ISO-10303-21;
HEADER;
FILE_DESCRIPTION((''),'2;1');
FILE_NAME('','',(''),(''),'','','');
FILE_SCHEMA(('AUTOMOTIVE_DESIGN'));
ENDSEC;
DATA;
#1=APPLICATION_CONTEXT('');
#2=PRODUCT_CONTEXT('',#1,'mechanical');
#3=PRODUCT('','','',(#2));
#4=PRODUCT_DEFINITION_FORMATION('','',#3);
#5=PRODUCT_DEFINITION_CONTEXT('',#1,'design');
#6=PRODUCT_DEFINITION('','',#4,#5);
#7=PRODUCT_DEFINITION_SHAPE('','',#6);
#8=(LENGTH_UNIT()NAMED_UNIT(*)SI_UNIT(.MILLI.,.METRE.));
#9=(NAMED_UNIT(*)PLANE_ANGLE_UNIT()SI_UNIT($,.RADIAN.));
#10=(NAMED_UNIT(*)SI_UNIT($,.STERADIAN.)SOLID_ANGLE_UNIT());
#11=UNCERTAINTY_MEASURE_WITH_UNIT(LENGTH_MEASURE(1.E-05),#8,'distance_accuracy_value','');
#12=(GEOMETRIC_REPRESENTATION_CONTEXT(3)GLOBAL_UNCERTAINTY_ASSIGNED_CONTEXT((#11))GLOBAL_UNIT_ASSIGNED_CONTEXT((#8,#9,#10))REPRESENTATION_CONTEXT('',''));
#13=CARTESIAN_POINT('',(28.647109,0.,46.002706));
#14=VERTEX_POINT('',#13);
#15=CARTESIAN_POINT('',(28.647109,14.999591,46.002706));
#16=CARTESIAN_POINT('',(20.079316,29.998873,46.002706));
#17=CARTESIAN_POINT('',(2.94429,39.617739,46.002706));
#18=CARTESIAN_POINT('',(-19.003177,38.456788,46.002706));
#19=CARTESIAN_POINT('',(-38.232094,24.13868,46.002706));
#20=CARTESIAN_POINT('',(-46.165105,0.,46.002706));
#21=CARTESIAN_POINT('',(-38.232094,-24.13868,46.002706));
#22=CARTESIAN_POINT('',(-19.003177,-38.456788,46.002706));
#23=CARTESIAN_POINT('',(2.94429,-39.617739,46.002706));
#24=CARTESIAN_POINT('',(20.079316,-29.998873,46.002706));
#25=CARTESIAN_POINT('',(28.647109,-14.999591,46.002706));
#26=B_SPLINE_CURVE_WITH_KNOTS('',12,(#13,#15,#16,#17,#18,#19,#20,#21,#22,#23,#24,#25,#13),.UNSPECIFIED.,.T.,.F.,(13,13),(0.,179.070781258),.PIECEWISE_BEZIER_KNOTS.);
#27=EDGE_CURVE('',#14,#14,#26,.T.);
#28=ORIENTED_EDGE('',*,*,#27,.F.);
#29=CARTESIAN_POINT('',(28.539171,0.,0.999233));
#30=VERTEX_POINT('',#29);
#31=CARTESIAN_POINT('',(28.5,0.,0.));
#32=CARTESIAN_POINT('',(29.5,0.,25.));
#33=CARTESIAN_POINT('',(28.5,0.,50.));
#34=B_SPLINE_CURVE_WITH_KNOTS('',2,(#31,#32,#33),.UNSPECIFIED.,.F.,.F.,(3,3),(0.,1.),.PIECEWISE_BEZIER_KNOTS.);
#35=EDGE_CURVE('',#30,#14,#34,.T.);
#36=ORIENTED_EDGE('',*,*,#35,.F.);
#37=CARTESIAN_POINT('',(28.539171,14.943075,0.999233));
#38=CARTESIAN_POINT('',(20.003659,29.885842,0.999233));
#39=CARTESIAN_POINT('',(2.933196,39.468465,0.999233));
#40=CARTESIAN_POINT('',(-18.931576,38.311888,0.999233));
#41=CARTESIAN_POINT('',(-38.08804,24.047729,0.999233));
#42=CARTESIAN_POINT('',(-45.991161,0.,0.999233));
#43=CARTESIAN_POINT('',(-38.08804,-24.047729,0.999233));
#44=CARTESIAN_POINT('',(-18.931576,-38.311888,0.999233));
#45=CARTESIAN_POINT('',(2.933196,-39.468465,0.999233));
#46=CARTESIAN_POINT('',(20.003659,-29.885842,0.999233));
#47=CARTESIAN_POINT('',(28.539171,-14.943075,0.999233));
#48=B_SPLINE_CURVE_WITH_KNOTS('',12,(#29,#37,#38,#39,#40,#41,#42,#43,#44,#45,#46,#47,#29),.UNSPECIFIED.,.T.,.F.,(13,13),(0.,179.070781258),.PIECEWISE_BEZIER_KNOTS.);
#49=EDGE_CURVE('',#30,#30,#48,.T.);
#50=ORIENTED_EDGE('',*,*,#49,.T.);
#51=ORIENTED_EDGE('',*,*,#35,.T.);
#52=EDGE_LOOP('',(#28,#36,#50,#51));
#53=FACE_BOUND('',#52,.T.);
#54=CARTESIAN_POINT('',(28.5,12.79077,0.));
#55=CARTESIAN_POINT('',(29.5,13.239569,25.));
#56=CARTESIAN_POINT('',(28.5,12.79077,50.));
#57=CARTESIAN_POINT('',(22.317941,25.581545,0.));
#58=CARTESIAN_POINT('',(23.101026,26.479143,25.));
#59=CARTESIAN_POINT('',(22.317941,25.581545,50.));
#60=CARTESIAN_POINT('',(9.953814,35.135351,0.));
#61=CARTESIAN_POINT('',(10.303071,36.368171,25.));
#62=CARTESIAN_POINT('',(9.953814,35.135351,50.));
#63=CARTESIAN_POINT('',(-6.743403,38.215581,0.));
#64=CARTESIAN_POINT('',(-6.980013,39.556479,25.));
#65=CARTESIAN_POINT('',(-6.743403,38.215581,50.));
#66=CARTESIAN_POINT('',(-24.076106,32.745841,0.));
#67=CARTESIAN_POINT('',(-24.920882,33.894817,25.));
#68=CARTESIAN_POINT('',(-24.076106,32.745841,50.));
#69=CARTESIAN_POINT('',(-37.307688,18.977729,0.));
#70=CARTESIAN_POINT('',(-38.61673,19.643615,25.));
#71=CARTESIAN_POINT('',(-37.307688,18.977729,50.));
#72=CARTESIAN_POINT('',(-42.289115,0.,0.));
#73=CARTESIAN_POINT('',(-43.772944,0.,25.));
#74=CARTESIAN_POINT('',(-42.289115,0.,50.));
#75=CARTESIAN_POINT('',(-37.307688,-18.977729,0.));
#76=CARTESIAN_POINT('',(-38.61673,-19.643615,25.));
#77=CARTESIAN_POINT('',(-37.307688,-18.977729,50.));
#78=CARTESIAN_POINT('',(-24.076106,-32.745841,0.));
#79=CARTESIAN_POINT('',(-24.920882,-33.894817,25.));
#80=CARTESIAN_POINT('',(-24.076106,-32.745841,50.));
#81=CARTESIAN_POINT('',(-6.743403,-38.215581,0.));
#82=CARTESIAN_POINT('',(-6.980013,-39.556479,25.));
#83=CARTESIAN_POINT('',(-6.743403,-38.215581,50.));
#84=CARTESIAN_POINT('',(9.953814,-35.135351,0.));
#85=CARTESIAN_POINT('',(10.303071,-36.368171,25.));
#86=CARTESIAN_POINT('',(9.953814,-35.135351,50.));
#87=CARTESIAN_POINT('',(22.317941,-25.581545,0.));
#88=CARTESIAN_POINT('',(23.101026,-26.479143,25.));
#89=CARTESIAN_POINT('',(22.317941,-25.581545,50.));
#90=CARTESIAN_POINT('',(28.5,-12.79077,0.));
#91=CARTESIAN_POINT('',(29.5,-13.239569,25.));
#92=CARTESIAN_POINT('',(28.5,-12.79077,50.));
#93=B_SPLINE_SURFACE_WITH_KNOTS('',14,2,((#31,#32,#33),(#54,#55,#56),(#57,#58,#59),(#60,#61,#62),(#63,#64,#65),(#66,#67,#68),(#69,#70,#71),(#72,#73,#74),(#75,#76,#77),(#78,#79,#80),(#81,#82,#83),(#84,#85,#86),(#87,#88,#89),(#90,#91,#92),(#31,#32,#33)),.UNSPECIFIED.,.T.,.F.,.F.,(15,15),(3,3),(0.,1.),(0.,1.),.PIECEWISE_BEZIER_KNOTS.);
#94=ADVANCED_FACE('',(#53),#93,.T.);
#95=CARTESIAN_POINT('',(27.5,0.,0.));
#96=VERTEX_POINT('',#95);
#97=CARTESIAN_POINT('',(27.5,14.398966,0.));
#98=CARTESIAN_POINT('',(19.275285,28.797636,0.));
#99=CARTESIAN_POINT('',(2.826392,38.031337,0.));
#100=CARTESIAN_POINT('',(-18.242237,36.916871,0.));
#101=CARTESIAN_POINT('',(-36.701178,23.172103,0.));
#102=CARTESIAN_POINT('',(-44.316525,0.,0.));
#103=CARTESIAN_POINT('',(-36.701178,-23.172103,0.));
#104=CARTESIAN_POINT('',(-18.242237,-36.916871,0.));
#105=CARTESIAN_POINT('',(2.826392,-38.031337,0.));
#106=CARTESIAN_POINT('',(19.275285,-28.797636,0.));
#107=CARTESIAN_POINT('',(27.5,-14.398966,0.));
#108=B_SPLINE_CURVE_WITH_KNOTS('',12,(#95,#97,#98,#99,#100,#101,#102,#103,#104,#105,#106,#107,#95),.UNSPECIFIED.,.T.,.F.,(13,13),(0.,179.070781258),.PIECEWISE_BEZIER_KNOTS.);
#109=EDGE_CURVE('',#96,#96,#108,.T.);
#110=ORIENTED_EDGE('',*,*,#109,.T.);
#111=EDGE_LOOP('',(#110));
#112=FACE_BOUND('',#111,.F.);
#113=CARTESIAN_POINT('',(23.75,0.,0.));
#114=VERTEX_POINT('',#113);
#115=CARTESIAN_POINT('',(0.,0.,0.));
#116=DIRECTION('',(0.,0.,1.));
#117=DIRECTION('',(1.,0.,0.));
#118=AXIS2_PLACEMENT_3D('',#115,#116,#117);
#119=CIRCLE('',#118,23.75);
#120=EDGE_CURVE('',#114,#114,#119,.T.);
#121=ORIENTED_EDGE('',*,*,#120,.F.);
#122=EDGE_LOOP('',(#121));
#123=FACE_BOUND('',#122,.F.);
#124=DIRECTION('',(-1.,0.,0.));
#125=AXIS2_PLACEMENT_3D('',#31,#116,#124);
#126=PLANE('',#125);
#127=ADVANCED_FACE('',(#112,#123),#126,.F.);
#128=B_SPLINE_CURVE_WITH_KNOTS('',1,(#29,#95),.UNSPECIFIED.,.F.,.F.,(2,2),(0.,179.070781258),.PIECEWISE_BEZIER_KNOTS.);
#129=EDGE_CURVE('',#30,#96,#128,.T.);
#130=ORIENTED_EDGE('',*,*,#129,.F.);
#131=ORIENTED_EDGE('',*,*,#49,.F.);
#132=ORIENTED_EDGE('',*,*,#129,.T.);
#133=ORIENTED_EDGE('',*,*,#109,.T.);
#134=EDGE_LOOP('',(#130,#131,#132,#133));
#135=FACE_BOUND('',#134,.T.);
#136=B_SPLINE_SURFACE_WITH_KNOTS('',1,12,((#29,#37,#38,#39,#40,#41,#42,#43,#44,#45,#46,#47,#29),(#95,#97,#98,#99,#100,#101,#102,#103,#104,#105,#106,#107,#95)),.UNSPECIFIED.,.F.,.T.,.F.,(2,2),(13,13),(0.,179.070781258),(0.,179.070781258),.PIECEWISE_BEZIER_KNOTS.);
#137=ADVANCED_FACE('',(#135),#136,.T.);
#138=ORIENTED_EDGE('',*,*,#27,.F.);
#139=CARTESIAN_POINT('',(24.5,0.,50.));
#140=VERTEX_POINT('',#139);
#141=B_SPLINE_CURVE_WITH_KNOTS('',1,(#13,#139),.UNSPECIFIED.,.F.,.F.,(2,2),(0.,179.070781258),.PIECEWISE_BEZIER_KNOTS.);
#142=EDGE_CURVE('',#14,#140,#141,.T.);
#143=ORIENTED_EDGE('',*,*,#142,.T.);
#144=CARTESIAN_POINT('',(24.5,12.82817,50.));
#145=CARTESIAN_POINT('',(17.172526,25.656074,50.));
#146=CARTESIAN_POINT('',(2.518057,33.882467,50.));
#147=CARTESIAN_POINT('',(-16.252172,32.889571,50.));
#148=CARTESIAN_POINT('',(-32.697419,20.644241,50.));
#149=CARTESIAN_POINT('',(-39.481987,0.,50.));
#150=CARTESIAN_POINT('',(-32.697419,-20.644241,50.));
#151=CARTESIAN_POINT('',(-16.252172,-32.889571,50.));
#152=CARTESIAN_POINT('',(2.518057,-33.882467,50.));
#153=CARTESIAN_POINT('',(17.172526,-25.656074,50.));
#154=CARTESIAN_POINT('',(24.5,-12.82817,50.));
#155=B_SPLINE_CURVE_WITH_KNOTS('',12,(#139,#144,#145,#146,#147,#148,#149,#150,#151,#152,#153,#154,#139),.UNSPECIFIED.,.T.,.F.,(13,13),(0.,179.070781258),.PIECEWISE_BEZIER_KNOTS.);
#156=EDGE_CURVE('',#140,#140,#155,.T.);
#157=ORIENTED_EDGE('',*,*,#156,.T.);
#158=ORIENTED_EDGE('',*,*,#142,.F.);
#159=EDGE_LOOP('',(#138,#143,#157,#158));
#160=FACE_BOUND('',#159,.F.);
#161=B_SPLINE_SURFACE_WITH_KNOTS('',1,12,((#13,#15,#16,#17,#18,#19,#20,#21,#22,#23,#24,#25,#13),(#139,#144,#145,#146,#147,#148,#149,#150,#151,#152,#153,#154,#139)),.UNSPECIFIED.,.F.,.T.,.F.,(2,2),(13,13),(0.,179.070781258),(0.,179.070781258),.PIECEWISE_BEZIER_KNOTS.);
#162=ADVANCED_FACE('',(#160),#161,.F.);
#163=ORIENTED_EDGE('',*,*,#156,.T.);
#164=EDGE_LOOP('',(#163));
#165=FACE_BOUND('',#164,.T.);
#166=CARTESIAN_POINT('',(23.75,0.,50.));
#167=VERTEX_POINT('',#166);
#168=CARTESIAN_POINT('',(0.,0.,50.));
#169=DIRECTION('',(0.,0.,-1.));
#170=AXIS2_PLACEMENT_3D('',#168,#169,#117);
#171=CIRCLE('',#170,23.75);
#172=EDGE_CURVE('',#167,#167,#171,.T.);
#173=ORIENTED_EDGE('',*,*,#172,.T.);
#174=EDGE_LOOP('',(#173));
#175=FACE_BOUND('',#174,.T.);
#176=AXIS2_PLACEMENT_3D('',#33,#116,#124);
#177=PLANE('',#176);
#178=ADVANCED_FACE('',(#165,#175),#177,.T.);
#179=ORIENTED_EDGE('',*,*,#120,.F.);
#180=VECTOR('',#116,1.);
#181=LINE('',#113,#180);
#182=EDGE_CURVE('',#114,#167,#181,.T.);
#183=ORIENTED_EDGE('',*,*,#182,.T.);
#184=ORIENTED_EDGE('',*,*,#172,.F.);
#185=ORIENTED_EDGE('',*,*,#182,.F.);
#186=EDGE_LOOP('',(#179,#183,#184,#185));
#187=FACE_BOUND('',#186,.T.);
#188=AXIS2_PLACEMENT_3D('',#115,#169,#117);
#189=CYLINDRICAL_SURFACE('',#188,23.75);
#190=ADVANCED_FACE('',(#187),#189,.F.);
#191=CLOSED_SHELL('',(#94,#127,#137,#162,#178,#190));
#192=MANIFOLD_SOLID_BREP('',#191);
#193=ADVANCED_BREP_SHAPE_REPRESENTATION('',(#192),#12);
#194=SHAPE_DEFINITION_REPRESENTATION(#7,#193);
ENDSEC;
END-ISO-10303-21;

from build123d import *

# Parameters (mm, degrees)
SKETCH_R        = 28.5
SKETCH001_R     = 29
SKETCH002_R     = 28.5
SKETCH003_R     = 23.75
POCKET_DEPTH    = 50.001
CHAMFER_SIZE    = 4
CHAMFER001_SIZE = 1


with BuildPart() as part:
    # Sketch → AdditiveLoft section 0
    with BuildSketch(Plane.XY):
        Circle(SKETCH_R)
    # Sketch001 → AdditiveLoft section 1
    with BuildSketch(Plane.XY.offset(25)):
        Circle(SKETCH001_R)
    # Sketch002 → AdditiveLoft section 2
    with BuildSketch(Plane.XY.offset(50)):
        Circle(SKETCH002_R)
    loft()

    # Sketch003 → Pocket (cut, through all)
    with BuildSketch(Plane.XY):
        Circle(SKETCH003_R)
    extrude(amount=POCKET_DEPTH, mode=Mode.SUBTRACT)

    # Chamfer
    chamfer_edges = [part.edges().sort_by_distance(p)[0] for p in [
        (-28.5, 0, 50),
    ]]
    chamfer(chamfer_edges, length=CHAMFER_SIZE)

    # Chamfer001
    chamfer001_edges = [part.edges().sort_by_distance(p)[0] for p in [
        (-28.5, 0, 0),
    ]]
    chamfer(chamfer001_edges, length=CHAMFER001_SIZE)


solid = part.part
